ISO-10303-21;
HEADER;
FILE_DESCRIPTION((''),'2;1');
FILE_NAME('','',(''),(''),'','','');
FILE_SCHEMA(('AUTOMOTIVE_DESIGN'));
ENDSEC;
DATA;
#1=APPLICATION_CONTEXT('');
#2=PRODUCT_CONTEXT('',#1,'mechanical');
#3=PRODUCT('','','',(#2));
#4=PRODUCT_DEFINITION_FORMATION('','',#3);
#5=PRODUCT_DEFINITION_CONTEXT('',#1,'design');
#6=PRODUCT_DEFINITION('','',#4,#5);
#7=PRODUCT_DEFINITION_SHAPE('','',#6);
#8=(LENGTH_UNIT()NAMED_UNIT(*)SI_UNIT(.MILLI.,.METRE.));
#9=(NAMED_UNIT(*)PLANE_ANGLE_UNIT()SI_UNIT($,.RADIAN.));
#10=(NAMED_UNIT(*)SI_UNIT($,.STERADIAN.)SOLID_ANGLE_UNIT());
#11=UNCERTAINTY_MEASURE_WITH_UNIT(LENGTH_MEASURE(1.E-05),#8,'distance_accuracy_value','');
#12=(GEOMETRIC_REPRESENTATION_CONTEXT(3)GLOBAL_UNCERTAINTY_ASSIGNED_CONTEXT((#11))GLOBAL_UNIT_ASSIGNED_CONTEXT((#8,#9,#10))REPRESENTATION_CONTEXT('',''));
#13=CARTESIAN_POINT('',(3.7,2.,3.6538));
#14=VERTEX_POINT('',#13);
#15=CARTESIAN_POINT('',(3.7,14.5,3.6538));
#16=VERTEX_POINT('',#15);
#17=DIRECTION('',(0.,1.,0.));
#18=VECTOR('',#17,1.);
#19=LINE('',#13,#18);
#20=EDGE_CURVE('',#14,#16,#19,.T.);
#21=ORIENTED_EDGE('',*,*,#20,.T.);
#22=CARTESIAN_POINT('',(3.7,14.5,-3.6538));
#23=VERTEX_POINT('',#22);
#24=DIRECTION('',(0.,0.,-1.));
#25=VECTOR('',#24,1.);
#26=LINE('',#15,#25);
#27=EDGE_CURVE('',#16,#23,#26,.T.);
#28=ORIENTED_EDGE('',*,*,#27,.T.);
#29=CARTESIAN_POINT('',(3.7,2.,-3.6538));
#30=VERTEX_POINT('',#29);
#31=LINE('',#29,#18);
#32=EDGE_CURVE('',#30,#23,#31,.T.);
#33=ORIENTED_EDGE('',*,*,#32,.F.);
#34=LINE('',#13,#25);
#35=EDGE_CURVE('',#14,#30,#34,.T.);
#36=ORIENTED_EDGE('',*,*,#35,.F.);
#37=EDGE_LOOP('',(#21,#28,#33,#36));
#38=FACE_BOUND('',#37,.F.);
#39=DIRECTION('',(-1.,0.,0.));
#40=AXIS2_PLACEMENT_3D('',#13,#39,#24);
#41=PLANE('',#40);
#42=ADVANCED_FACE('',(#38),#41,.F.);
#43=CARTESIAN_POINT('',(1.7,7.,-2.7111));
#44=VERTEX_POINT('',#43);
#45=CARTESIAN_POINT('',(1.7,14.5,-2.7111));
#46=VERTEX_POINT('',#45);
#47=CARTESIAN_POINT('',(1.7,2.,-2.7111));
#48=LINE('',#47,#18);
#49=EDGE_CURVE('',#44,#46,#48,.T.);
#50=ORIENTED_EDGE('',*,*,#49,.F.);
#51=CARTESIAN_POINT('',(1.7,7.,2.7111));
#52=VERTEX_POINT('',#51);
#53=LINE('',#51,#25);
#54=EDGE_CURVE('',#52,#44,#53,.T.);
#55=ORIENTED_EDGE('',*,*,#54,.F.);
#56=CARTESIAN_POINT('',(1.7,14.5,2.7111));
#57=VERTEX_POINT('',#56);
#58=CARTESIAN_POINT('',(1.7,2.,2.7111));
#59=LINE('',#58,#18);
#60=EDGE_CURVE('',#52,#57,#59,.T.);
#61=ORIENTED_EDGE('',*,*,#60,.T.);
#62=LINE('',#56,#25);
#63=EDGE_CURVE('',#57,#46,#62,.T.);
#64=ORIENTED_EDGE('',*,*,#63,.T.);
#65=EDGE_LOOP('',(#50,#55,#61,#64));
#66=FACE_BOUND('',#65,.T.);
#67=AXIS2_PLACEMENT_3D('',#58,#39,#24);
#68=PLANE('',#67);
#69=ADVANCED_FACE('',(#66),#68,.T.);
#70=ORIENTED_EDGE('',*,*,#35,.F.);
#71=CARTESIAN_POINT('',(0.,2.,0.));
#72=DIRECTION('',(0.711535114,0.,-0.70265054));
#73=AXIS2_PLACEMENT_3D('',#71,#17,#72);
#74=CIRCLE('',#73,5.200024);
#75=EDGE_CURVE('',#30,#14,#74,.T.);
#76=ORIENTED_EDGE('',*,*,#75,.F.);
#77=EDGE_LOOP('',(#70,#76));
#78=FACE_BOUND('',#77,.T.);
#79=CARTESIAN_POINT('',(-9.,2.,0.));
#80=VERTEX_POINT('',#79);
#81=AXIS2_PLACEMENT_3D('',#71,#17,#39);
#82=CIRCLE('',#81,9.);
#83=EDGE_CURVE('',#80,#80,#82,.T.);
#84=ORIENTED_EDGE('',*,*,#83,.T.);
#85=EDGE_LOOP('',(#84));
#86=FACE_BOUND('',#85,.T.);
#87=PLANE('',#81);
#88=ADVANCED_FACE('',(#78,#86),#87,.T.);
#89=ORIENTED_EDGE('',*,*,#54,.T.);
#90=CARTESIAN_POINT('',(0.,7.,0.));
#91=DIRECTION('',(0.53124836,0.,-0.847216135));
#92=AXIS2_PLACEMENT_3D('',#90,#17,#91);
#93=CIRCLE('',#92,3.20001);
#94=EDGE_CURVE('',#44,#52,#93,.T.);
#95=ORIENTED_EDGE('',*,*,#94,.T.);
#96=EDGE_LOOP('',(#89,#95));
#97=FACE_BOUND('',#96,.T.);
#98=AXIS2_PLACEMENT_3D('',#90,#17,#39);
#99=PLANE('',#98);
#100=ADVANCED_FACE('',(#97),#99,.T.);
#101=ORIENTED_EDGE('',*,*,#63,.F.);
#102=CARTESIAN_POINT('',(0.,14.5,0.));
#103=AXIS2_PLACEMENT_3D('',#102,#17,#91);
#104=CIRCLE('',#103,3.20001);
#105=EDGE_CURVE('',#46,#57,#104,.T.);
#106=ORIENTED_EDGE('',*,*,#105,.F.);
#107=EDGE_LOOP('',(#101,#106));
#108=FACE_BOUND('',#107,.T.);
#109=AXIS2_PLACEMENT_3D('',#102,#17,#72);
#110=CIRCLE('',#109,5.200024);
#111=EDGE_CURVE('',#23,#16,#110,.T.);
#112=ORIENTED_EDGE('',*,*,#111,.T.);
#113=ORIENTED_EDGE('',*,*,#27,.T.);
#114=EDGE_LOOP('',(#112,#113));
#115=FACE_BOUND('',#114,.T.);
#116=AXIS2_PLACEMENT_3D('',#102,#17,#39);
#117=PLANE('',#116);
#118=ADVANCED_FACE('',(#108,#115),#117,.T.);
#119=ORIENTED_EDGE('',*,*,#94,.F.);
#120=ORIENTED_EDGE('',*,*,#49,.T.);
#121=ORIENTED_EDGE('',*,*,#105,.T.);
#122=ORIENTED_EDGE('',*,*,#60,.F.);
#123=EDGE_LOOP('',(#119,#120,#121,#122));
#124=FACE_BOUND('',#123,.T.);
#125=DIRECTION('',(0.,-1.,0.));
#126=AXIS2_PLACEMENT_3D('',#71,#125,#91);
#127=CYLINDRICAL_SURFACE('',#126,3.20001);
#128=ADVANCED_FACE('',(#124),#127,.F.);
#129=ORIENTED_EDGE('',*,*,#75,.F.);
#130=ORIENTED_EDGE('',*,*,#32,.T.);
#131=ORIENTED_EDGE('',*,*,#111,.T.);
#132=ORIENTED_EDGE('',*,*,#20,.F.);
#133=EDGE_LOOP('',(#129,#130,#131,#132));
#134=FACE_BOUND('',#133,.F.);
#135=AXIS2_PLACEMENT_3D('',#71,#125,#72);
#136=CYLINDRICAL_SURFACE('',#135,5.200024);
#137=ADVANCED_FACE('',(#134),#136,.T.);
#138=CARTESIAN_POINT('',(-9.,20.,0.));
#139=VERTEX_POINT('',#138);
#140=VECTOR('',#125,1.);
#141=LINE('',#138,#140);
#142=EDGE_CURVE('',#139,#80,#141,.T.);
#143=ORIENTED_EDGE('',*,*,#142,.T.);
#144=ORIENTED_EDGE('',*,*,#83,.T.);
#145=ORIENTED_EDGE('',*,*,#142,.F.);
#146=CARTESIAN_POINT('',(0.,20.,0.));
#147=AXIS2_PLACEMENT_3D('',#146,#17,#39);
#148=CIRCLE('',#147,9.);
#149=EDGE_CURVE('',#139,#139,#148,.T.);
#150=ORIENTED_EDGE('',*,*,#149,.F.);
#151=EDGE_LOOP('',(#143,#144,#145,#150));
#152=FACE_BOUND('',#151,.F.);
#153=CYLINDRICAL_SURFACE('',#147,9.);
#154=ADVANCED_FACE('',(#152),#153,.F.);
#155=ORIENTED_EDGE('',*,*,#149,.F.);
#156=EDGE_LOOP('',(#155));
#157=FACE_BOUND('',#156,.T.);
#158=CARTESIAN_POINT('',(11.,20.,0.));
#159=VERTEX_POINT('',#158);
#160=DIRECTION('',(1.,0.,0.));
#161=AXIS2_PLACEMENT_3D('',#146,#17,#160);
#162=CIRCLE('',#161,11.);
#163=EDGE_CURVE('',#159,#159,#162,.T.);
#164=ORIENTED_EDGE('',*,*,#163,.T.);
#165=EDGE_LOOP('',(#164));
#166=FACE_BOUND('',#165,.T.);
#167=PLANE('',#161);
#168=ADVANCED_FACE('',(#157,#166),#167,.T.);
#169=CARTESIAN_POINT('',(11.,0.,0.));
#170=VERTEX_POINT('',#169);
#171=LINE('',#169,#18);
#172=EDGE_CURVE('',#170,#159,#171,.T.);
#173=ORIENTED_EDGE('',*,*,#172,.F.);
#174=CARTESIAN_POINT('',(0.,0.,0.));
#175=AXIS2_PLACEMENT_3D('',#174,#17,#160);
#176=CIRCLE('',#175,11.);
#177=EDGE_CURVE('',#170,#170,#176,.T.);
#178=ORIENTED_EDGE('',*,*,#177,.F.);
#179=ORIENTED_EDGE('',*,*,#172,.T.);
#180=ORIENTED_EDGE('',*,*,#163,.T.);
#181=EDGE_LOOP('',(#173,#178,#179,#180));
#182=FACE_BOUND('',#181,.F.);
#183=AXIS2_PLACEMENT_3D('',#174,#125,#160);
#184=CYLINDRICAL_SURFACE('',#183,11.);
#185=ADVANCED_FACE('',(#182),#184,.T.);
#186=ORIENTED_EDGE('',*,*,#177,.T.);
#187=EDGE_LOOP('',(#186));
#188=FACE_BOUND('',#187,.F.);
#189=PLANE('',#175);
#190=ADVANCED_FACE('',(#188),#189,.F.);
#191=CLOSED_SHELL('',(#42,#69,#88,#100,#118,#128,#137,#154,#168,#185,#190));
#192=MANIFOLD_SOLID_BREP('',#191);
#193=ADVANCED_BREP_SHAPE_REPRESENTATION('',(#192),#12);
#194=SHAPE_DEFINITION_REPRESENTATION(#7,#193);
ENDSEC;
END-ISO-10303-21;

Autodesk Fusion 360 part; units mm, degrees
sketch "Outer" plane through (0, 0, 0) normal (0, 1, 0) x (1, 0, 0)
  circle A0 centre (0, 0) radius 11
  dimension "d1" = 22
extrude "Extrude1" add sketch "Outer" along normal blind 20
sketch "Inner" plane through (0, 20, 0) normal (0, 1, 0) x (-1, 0, 0)
  circle A0 centre (0, 0) radius 11
  circle A1 centre (0, 0) radius 9
  dimension "d4" = 18
extrude "Extrude2" cut sketch "Inner" against normal blind 18 contours A1
sketch "Shaft" plane through (0, 2, 0) normal (0, 1, 0) x (-1, 0, 0)
  circle A0 centre (0, 0) radius 9
  line L0 (-1.7, 2.7111) -> (-1.7, -2.7111)
  arc A1 (-1.7, -2.7111) -> (-1.7, 2.7111) centre (0, 0) ccw
  arc A2 (-3.7, -3.6538) -> (-3.7, 3.6538) centre (0, 0) ccw
  line L1 (-3.7, 3.6538) -> (-3.7, -3.6538)
  dimension "d7" = 6.4
  dimension "d8" = 1.7
  dimension "d9" = 2
extrude "Extrude3" add sketch "Shaft" along normal blind 12.5 contours A2 L1
extrude "Extrude4" add 1 faces at (0.0662, 2, 0.598) along direction (0, 1, 0) blind 5
equation "d5 = -( 20 mm - 2 mm )"
equation "d7 = 6 mm + 0.2 mm + 0.2 mm"
equation "d8 = ( 4.5 mm - 3 mm ) + 0.2 mm"
equation "d10 = 20 mm - 2 mm - 5.5 mm"
equation "d12 = 20 mm - 2 mm - 5.5 mm - 7.5 mm"
